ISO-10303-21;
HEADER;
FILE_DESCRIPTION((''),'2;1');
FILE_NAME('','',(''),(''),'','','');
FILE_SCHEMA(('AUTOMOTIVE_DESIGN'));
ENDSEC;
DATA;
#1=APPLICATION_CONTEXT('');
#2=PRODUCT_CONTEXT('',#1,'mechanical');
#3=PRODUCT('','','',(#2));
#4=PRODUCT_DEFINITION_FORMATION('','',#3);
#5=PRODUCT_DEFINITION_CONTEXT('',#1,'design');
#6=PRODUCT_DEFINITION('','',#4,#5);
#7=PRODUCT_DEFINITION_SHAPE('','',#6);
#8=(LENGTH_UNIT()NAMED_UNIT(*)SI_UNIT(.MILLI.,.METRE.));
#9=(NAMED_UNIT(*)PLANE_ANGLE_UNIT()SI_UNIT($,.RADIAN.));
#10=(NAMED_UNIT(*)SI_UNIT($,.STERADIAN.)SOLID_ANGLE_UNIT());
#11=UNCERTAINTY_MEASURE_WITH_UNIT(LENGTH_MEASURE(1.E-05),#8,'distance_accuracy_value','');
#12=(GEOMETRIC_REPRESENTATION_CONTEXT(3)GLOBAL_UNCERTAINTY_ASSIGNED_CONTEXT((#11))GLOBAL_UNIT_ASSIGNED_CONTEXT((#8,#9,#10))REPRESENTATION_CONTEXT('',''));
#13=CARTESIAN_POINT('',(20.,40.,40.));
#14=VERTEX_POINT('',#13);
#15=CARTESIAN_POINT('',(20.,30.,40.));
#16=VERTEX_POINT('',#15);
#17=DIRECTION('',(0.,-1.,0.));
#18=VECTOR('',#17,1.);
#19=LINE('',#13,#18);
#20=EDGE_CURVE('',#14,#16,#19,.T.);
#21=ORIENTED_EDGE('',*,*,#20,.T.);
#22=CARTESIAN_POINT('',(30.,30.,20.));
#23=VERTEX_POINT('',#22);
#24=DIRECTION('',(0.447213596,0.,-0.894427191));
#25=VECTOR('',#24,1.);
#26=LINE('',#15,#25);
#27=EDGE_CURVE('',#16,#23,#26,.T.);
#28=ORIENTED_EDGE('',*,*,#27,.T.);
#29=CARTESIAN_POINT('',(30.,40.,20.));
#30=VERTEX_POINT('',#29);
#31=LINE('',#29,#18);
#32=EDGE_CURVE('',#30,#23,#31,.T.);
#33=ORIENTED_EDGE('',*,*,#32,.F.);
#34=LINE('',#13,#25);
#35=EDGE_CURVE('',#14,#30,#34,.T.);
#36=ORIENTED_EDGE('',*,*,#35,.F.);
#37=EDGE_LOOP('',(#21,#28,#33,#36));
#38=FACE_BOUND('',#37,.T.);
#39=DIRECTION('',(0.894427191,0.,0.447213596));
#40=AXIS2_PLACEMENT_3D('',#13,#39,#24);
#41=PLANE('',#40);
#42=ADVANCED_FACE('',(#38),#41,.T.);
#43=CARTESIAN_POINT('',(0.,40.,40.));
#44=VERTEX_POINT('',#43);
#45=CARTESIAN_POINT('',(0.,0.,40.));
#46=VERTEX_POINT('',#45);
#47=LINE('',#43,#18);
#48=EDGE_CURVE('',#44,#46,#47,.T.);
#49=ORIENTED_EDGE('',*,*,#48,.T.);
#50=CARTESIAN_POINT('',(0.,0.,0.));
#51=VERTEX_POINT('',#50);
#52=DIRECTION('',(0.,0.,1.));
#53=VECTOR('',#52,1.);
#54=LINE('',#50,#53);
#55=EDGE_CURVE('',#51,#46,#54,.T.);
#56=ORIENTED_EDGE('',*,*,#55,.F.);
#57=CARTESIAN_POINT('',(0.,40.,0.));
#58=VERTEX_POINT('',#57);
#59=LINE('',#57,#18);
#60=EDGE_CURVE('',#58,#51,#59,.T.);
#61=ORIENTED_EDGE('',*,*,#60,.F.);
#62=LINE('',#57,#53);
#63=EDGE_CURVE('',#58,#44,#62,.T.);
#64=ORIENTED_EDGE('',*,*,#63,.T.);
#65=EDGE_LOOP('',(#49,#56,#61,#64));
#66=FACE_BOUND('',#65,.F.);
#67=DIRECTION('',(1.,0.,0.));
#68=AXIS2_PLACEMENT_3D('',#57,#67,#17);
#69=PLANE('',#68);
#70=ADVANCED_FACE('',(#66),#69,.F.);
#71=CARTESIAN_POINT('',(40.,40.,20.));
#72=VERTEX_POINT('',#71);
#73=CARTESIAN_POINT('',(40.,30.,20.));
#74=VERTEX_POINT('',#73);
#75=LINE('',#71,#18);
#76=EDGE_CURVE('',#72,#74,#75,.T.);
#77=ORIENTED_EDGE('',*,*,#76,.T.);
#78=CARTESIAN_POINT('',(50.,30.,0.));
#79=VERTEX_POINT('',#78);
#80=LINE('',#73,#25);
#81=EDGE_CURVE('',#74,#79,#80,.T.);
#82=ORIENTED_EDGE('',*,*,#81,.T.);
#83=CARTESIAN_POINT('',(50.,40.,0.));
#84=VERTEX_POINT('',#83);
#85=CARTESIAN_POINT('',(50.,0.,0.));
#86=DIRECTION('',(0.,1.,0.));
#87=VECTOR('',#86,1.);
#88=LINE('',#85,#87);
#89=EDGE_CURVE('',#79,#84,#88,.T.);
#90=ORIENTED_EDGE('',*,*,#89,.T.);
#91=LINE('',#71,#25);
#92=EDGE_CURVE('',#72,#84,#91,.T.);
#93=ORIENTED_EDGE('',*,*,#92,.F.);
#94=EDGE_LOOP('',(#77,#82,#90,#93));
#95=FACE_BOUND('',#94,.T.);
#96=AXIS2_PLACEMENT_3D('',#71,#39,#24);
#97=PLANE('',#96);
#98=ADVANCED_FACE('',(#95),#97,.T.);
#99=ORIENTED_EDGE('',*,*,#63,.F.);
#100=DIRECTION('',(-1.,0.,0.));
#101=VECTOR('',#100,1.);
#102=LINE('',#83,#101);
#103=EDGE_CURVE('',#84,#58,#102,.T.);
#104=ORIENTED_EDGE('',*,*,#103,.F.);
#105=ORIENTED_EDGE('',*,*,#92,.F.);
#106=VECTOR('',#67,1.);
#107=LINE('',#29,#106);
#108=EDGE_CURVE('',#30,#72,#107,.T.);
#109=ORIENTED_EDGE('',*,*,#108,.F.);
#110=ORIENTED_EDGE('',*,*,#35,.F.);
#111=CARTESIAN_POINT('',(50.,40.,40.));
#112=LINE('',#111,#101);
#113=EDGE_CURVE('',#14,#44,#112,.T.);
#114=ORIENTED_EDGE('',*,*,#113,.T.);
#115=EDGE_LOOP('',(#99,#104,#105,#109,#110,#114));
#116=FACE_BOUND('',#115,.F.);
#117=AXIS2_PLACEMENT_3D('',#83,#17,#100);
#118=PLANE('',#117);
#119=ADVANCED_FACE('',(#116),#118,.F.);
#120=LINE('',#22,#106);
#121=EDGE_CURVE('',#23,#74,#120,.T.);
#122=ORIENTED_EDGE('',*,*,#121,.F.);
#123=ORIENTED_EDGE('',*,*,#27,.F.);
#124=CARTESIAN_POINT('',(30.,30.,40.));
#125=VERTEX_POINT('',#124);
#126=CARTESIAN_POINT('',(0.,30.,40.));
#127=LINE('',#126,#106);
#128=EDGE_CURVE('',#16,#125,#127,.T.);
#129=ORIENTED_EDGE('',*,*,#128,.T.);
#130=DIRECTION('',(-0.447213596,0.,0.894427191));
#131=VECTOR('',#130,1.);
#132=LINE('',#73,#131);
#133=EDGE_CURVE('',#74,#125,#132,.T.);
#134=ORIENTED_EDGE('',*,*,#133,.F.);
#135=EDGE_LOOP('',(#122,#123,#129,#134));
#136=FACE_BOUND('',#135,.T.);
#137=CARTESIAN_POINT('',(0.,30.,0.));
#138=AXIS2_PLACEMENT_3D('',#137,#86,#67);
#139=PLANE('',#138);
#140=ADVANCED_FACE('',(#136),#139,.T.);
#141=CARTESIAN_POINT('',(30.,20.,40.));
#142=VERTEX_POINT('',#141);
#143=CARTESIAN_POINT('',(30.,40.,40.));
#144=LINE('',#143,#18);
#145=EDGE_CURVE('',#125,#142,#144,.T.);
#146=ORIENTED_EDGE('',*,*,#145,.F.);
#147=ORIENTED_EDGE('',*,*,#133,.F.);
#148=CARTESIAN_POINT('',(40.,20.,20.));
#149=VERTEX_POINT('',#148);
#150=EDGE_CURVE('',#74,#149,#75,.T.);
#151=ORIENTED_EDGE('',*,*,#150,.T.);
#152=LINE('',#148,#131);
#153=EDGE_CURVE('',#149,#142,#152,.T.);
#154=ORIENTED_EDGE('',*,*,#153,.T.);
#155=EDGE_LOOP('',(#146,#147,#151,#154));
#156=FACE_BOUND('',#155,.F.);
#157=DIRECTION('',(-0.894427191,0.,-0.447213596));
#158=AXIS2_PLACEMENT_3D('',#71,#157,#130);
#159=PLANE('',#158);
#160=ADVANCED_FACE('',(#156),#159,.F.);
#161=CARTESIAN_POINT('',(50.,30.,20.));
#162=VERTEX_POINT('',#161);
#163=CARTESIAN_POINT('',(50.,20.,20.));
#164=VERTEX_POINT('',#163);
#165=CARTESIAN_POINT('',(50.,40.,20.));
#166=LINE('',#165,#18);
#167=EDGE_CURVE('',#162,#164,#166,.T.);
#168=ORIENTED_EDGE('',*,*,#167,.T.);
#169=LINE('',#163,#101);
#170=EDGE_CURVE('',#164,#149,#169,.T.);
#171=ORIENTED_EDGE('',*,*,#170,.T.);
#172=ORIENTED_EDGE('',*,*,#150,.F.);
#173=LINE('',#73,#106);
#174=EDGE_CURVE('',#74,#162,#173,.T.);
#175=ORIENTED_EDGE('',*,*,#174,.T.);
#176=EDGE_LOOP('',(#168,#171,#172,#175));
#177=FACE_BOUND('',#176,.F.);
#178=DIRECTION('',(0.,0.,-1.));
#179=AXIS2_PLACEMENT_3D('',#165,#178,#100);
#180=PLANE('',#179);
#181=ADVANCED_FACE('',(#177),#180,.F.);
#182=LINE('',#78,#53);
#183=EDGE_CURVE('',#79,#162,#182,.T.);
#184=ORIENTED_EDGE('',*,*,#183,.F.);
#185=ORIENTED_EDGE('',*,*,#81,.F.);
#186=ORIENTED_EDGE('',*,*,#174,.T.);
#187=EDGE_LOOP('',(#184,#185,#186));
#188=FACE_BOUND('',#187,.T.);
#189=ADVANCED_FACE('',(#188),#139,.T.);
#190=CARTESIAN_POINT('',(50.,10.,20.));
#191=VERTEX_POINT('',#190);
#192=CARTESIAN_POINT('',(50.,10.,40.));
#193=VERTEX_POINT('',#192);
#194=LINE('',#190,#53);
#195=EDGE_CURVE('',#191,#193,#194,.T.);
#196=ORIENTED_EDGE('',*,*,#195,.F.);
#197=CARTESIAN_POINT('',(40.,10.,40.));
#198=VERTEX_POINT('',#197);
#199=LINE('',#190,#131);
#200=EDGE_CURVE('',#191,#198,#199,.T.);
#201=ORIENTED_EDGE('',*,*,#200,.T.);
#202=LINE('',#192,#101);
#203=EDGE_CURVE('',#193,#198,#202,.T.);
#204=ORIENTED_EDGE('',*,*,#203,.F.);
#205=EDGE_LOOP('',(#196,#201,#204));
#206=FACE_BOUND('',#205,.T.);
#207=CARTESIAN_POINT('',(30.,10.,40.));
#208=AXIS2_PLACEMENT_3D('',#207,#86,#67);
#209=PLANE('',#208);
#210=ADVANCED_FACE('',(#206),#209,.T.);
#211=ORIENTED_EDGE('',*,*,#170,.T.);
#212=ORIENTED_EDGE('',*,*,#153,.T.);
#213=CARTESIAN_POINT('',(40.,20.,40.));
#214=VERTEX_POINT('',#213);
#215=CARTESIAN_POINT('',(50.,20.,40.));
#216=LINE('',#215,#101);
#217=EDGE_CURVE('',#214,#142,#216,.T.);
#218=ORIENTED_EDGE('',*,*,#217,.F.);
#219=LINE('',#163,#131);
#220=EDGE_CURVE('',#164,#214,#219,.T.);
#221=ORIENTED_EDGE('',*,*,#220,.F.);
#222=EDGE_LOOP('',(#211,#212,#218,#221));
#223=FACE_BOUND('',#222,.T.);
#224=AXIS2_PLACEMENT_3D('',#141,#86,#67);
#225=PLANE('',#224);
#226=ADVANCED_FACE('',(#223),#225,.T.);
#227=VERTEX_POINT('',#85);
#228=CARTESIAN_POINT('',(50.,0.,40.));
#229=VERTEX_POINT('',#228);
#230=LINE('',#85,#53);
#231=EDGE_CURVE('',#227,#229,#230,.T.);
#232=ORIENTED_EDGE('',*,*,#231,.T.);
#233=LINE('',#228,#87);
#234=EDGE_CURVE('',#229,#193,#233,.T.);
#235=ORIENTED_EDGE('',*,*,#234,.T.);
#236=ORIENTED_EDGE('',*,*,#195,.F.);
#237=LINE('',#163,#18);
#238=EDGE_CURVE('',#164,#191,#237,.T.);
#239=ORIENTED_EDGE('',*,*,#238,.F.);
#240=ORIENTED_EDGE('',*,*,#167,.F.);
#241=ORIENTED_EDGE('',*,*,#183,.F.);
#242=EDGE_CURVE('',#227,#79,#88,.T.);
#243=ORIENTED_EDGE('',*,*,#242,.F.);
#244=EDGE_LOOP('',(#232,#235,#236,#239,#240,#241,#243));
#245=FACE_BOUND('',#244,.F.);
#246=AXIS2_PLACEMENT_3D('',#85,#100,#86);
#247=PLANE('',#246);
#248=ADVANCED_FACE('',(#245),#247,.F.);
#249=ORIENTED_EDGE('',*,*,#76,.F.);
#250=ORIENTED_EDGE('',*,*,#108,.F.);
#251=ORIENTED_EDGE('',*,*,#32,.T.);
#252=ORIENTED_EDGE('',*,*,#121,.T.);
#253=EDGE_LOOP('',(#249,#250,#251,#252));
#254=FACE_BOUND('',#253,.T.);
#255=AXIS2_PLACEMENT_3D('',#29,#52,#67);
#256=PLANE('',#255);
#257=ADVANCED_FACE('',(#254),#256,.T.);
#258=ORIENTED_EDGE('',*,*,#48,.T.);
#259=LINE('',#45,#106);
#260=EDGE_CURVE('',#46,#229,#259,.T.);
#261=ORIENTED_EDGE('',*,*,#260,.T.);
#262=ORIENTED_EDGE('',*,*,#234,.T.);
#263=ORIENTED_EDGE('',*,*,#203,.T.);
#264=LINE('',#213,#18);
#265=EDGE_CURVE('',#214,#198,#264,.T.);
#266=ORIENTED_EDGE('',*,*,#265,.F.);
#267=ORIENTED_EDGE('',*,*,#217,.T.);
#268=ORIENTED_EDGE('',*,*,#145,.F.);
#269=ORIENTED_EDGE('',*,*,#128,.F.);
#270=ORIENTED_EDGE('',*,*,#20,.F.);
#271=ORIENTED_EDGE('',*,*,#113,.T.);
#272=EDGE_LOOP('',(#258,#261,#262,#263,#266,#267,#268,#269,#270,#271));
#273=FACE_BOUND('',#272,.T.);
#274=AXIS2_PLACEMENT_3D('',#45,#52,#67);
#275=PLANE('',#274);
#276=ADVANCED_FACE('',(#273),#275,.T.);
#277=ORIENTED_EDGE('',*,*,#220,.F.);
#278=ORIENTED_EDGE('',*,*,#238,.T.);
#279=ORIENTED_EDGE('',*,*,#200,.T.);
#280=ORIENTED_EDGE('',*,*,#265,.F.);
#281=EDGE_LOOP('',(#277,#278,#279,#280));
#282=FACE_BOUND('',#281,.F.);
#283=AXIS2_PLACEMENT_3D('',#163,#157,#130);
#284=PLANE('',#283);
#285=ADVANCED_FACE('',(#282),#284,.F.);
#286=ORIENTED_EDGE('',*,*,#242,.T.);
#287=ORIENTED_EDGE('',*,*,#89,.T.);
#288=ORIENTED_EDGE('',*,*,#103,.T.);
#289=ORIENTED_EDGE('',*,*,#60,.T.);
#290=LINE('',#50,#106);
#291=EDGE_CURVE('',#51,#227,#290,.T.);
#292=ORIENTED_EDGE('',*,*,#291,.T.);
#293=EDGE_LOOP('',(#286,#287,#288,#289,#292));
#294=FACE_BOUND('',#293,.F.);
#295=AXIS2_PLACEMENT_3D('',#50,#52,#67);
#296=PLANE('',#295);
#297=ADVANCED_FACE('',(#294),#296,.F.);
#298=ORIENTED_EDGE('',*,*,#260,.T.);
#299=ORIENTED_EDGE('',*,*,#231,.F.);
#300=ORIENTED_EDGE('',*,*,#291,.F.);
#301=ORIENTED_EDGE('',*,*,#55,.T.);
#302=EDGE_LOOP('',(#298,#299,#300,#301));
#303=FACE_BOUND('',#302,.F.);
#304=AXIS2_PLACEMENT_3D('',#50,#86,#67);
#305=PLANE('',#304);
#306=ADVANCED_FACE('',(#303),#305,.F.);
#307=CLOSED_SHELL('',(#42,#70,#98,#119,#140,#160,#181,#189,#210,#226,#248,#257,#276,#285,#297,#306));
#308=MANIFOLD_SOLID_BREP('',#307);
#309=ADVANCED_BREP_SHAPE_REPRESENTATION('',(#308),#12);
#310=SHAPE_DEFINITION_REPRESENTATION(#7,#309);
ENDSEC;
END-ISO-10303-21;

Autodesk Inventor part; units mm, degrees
ref_plane "YZ Plane" through (0, 0, 0) normal (1, 0, 0) x (0, 1, 0)
ref_plane "XZ Plane" through (0, 0, 0) normal (0, 1, 0) x (-1, 0, 0)
ref_plane "XY Plane" through (0, 0, 0) normal (0, 0, 1) x (1, 0, 0)
sketch "草圖1" plane through (0, 0, 0) normal (0, 0, 1) x (1, 0, 0)
  line L0 (0, 0) -> (50, 0)
  line L1 (50, 0) -> (50, 40)
  line L2 (50, 40) -> (0, 40)
  line L3 (0, 40) -> (0, 0)
  dimension "d0" = 50
  dimension "d1" = 40
extrude "擠出1" add sketch "草圖1" along normal blind 40
sketch "草圖2" plane through (0, 40, 0) normal (0, 1, 0) x (1, 0, 0)
  line L0 (50, 0) -> (0, 0) projected
  line L1 (0, 0) -> (0, -40) projected
  line L2 (50, -40) -> (0, -40) construction
  line L3 (50, 0) -> (50, -40) construction
  line L4 (0, -40) -> (50, -40) projected
  line L5 (20, -40) -> (30, -20)
  line L6 (30, -20) -> (40, -20)
  line L7 (40, -20) -> (30, -40)
  line L8 (50, 0) -> (50, -40) projected
  line L9 (40, -20) -> (50, 0)
  line L10 (50, 0) -> (50, -20)
  line L11 (40, -20) -> (50, -20)
  line L12 (30, -40) -> (20, -40)
  point P0 (0, 0)
  dimension "d4" = 20
  dimension "d5" = 10
  dimension "d6" = 20
  dimension "d7" = 10
extrude "擠出2" cut sketch "草圖2" against normal blind 10 contours L8 L11 L9 | L7 L4 L5 L6
sketch "草圖3" plane through (30, 40, 40) normal (0, 1, 0) x (1, 0, 0)
  line L0 (20, 20) -> (10, 20) projected
  line L1 (10, 20) -> (0, 0) projected
  line L2 (20, 0) -> (0, 0) projected
  line L3 (20, 20) -> (20, 0) projected
  point P0 (-30, 40)
extrude "擠出3" cut sketch "草圖3" against normal blind 20
sketch "草圖4" plane through (30, 20, 40) normal (0, 1, 0) x (1, 0, 0)
  line L0 (10, 20) -> (20, 20) projected
  line L1 (0, 0) -> (10, 20) projected
  line L2 (20, 0) -> (0, 0) projected
  line L3 (20, 20) -> (20, 0) projected
  line L4 (20, 20) -> (10, 0)
  line L5 (10, 20) -> (0, 0) projected
  point P0 (-30, 40)
extrude "擠出4" cut sketch "草圖4" against normal blind 10 contours L3 L2 L4
